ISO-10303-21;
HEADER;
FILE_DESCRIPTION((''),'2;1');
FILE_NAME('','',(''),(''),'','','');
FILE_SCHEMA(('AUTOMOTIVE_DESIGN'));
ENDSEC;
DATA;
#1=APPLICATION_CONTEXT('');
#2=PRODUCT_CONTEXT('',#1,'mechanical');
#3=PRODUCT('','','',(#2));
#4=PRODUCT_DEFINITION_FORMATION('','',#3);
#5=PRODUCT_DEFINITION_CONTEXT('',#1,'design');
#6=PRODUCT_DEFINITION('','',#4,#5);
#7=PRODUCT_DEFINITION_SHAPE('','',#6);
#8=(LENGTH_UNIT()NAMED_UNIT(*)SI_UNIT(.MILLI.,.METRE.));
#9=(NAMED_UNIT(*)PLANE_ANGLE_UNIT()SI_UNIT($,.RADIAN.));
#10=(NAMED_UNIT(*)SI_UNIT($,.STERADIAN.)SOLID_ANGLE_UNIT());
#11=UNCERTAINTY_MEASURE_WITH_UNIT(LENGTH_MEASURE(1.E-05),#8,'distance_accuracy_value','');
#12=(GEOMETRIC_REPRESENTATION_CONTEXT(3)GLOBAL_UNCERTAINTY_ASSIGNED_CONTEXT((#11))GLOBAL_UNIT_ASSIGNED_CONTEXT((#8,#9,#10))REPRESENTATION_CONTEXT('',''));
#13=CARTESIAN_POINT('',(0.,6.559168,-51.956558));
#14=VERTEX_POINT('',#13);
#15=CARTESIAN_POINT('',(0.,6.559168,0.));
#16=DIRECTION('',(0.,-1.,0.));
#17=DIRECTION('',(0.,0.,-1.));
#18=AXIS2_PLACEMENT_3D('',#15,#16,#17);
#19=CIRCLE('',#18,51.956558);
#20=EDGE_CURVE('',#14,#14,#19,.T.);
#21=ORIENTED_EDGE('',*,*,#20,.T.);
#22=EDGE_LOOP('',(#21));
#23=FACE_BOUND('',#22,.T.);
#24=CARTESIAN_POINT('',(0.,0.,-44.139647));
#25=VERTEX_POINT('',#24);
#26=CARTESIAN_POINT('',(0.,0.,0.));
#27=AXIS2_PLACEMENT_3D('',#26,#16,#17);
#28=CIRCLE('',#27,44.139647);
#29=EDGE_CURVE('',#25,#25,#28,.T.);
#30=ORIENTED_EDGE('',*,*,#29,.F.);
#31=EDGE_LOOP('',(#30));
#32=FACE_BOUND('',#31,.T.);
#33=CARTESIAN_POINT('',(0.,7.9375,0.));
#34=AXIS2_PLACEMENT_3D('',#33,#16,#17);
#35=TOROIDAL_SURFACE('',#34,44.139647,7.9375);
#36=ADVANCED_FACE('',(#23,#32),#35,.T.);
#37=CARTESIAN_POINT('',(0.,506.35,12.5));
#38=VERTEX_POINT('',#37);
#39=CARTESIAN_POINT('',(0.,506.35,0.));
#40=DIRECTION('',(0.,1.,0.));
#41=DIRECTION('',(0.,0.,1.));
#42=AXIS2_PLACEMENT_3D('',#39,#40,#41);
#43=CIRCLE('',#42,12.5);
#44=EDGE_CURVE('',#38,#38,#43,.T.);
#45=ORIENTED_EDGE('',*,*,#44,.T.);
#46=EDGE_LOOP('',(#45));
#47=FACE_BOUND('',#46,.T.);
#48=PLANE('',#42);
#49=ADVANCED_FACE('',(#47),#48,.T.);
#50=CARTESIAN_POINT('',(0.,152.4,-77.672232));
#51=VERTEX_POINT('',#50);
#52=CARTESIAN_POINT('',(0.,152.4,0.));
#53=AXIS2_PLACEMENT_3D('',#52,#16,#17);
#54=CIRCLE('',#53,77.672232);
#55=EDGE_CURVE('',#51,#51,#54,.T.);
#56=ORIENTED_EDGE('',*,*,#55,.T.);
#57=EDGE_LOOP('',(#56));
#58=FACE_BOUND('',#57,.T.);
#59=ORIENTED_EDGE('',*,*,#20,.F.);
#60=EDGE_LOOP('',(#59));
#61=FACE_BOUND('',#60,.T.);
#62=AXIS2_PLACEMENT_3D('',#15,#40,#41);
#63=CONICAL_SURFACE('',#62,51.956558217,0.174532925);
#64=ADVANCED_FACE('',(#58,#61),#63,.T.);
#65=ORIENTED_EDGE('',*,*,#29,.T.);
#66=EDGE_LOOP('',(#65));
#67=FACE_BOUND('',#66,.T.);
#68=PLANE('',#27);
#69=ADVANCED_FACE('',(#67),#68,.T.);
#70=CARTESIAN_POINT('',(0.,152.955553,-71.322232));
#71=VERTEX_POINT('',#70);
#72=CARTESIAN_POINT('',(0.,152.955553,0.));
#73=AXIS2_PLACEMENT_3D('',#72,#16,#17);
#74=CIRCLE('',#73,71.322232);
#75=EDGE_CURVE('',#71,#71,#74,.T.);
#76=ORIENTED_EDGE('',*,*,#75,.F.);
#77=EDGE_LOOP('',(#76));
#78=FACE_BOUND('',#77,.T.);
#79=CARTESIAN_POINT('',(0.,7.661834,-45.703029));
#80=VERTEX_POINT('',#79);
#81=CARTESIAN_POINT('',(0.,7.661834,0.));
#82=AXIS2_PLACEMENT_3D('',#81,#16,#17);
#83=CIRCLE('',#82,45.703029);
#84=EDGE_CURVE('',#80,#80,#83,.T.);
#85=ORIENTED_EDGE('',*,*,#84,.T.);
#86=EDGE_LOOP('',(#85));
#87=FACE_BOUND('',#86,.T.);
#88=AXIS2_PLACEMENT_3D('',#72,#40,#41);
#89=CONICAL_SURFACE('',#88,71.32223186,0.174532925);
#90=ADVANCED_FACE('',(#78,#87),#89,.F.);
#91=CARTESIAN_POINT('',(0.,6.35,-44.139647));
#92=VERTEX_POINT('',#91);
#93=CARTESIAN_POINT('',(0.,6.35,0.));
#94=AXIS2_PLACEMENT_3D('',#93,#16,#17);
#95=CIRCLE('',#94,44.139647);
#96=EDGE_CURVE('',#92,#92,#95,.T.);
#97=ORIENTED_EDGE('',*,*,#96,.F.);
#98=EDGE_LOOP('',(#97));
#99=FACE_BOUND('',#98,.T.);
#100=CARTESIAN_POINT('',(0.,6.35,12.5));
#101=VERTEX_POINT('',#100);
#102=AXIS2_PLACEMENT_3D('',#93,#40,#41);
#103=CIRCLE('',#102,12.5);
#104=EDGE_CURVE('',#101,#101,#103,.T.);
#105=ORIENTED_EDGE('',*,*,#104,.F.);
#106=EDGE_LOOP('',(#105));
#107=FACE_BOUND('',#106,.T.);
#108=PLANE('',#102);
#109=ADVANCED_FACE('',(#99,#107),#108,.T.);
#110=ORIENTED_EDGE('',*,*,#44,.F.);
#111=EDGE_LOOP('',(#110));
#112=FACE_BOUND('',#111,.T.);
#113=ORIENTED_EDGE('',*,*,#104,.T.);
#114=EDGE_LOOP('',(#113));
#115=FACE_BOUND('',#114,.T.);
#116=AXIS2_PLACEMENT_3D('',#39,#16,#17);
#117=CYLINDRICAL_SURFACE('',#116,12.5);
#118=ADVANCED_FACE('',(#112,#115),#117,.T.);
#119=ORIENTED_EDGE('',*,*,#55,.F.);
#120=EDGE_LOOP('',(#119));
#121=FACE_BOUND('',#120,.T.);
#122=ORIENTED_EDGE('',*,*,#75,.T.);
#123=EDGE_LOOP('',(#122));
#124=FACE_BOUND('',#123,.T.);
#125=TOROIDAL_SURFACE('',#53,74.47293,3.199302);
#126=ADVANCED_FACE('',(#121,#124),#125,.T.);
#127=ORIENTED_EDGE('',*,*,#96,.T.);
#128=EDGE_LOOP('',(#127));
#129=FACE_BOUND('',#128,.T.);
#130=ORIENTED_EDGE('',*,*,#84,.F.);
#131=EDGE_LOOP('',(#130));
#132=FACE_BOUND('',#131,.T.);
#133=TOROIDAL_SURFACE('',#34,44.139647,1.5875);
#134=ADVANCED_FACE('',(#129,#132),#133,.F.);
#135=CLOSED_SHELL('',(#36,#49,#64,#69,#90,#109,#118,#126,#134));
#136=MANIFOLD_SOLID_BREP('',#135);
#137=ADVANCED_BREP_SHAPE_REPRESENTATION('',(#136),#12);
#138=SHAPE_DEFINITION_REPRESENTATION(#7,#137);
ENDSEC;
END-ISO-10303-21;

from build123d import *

# Parameters (mm, degrees)
ESQUISSE1_R        = 12.5
BOSS_EXTRU_2_DEPTH = 500


with BuildPart() as part:
    # Sketch1 → Revolve1 (revolve)
    with BuildSketch(Plane.XY):
        with BuildLine():
            Line((0, 0), (44.139646678, 0))
            ThreePointArc((44.139646678, 0), (49.241773329, 1.857022233), (51.956558217, 6.55916759))
            Line((51.956558217, 6.55916759), (77.67223186, 152.4))
            ThreePointArc((77.67223186, 152.4), (74.751767132, 155.587127984), (71.32223186, 152.955553013))
            Line((71.32223186, 152.955553013), (45.703028985, 7.661833518))
            ThreePointArc((45.703028985, 7.661833518), (45.160072008, 6.721404447), (44.139646678, 6.35))
            Line((44.139646678, 6.35), (0, 6.35))
            Line((0, 6.35), (0, 0))
        make_face()
    revolve(axis=Axis((0, 0, 0), (0, 1, 0)))

    # Esquisse1 → Boss.-Extru.2 (add)
    with BuildSketch(Plane(origin=(0, 6.35, 0), x_dir=(1, 0, 0), z_dir=(0, 1, 0))):
        Circle(ESQUISSE1_R)
    extrude(amount=BOSS_EXTRU_2_DEPTH)


solid = part.part
